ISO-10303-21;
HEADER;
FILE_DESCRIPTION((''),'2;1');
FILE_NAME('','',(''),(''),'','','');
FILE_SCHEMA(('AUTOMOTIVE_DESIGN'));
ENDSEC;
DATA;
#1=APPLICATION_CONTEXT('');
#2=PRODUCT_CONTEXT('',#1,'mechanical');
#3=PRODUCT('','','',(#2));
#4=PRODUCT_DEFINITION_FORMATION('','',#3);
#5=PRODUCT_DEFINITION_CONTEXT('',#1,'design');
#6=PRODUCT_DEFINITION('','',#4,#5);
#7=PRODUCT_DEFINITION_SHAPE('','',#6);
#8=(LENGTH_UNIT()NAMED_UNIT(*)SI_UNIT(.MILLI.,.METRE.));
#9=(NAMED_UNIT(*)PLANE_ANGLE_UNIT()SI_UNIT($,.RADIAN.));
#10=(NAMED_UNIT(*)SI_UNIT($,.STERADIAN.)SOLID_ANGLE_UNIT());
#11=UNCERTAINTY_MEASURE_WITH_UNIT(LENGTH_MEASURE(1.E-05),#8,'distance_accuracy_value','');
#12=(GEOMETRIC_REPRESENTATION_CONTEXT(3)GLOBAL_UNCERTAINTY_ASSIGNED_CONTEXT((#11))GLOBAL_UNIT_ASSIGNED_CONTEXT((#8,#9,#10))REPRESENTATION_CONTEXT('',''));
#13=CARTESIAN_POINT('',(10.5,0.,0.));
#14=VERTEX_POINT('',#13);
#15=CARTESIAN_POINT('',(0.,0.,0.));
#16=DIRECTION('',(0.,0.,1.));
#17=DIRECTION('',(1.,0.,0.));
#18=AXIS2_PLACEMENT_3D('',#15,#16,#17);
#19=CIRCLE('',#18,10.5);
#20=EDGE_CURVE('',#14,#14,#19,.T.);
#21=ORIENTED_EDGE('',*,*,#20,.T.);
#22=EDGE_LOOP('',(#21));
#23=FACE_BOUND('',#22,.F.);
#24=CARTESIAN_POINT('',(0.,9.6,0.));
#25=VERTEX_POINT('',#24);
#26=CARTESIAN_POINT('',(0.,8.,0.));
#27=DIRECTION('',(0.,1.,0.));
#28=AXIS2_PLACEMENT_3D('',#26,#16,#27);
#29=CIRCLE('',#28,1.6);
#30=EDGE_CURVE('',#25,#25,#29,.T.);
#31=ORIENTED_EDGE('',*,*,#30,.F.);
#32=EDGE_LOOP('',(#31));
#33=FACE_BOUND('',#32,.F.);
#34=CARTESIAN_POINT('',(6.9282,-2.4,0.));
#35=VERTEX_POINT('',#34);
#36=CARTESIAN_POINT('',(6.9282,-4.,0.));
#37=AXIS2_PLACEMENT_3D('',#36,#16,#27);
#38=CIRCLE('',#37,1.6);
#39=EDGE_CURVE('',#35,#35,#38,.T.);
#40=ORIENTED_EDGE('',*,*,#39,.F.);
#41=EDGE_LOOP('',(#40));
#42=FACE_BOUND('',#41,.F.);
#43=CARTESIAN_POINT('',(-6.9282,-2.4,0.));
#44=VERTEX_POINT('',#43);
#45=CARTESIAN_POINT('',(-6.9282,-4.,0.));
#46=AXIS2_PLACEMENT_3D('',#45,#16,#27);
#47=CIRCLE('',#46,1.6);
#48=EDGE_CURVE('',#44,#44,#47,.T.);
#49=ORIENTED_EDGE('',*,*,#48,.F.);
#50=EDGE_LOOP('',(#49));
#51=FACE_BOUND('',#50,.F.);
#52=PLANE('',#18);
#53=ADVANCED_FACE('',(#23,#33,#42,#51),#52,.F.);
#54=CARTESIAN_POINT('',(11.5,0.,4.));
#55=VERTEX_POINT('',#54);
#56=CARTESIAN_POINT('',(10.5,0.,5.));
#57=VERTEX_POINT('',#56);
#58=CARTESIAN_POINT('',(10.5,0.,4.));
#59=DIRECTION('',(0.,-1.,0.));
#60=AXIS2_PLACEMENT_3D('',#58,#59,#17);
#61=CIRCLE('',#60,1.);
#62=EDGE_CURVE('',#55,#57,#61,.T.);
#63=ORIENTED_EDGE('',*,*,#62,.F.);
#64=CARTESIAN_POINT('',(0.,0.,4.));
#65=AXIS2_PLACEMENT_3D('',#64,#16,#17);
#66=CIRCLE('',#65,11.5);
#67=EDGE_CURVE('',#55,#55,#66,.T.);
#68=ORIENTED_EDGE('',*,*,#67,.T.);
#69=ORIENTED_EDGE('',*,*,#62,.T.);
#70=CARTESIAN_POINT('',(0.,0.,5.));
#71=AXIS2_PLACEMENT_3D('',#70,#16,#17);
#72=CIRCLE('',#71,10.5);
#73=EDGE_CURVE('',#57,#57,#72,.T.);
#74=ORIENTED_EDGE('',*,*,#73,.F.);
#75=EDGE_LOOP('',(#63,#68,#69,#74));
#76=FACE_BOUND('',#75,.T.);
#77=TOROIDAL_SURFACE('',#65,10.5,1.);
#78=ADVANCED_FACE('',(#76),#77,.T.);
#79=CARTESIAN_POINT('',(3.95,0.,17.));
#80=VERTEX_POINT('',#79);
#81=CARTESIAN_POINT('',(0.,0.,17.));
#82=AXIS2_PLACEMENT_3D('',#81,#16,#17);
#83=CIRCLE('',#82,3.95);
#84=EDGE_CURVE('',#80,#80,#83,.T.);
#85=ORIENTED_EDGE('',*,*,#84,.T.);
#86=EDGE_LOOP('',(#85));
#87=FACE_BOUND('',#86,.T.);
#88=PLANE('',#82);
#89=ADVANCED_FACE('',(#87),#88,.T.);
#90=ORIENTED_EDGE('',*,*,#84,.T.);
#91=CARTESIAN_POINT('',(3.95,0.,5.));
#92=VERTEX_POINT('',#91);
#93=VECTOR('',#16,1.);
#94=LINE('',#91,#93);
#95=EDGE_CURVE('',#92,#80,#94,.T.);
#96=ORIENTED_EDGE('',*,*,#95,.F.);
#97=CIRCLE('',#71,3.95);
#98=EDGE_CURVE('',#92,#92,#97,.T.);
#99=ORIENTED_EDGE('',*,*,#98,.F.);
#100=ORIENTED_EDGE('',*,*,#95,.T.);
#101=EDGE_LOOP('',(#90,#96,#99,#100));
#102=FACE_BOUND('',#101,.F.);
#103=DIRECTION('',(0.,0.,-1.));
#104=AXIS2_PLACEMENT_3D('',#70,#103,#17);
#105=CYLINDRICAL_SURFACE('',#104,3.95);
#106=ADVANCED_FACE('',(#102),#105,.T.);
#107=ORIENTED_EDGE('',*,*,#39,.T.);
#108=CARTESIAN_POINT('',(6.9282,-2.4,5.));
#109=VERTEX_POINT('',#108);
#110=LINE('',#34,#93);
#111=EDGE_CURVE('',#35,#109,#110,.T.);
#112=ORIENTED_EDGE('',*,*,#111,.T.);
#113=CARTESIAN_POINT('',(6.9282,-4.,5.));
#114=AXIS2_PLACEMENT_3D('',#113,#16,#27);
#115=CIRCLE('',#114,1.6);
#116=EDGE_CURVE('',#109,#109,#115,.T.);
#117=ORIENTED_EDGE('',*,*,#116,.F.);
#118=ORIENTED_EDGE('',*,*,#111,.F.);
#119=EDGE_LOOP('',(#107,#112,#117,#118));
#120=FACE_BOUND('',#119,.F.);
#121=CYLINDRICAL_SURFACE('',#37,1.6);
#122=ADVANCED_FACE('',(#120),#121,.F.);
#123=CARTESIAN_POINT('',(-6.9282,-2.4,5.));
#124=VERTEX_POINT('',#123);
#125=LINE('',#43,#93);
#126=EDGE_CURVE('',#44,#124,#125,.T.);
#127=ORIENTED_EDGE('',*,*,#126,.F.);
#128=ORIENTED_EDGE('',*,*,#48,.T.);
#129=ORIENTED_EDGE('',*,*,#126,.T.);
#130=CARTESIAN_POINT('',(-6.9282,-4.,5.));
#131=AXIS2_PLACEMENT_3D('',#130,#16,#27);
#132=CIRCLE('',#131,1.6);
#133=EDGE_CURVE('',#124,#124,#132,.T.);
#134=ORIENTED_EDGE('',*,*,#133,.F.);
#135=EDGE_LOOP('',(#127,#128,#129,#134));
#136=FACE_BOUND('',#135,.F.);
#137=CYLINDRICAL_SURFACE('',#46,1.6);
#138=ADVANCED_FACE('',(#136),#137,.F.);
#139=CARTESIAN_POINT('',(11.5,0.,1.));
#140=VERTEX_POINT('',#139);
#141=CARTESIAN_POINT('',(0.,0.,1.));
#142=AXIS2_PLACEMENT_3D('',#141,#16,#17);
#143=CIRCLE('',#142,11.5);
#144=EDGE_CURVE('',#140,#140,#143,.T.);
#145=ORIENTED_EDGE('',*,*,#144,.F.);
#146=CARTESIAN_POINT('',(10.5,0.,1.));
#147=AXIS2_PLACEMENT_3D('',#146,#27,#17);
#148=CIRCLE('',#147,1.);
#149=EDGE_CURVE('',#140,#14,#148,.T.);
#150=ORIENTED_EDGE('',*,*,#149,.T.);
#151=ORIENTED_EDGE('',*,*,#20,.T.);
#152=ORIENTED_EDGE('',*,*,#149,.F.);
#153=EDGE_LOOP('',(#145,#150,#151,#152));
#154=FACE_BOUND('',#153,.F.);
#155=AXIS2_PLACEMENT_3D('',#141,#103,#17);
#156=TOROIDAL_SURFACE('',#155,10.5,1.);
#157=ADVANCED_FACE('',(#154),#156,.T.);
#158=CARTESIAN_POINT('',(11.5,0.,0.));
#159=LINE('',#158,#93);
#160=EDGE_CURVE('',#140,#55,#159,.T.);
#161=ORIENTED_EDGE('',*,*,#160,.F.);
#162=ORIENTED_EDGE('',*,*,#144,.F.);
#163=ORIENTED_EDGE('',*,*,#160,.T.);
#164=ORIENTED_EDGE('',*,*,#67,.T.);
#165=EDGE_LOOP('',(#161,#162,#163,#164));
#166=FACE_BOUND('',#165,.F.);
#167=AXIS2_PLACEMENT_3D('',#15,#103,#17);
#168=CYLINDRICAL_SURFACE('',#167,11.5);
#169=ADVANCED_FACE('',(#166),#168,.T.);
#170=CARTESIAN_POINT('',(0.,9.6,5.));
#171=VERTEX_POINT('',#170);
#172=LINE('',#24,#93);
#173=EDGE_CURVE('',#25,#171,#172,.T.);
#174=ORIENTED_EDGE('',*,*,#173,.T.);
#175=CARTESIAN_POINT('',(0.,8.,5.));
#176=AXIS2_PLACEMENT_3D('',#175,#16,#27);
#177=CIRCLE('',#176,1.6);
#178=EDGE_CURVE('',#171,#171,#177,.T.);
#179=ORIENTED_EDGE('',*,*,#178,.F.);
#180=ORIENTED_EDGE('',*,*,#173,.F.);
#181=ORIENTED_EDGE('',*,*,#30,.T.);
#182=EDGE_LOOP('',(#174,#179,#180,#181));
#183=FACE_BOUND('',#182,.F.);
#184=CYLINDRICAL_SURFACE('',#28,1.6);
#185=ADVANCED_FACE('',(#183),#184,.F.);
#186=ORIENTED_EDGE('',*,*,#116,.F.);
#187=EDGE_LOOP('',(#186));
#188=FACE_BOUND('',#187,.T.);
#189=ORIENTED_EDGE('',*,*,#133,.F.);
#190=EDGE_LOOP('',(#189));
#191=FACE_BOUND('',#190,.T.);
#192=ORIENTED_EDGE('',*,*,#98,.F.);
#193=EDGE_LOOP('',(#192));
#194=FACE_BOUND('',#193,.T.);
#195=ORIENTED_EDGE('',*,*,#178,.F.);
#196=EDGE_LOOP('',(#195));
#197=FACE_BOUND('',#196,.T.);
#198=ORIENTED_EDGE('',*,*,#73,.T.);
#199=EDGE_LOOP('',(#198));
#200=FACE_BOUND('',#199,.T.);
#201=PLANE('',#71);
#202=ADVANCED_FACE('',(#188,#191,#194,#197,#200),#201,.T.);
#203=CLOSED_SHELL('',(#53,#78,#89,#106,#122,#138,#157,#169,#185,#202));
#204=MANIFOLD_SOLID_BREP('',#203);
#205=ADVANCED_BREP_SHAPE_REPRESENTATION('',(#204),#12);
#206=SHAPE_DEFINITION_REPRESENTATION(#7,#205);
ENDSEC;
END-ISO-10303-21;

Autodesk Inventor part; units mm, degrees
ref_plane "YZ Plane" through (0, 0, 0) normal (1, 0, 0) x (0, 1, 0)
ref_plane "XZ Plane" through (0, 0, 0) normal (0, 1, 0) x (-1, 0, 0)
ref_plane "XY Plane" through (0, 0, 0) normal (0, 0, 1) x (1, 0, 0)
sketch "Sketch1" plane through (0, 0, 0) normal (0, 0, 1) x (1, 0, 0)
  circle A0 centre (0, 0) radius 11.5
  dimension "d0" = 23
extrude "Extrusion1" add sketch "Sketch1" along normal blind 5
sketch "Sketch2" plane through (0, 0, 5) normal (0, 0, 1) x (1, 0, 0)
  circle A0 centre (0, 0) radius 3.95
  dimension "d3" = 7.9
extrude "Extrusion2" add sketch "Sketch2" along normal blind 12
sketch "Sketch3" plane through (0, 0, 0) normal (0, 0, -1) x (-1, 0, 0)
  circle A0 centre (0, 0) radius 4
  point P0 (0, 8)
  point P1 (-6.9282, -4)
  point P2 (6.9282, -4)
  dimension "d8" = 360
  dimension "d17" = 8
hole "Hole1" at (0, 8, 0) at (6.9282, -4, 0) at (-6.9282, -4, 0) direction (0, 0, 1) diameter 3.2 end through all
fillet "Fillet1" radius 1 2 edges at (-11.5, 0, 0) (-11.5, 0, 5)
properties part number "Eixo de suporte II"
